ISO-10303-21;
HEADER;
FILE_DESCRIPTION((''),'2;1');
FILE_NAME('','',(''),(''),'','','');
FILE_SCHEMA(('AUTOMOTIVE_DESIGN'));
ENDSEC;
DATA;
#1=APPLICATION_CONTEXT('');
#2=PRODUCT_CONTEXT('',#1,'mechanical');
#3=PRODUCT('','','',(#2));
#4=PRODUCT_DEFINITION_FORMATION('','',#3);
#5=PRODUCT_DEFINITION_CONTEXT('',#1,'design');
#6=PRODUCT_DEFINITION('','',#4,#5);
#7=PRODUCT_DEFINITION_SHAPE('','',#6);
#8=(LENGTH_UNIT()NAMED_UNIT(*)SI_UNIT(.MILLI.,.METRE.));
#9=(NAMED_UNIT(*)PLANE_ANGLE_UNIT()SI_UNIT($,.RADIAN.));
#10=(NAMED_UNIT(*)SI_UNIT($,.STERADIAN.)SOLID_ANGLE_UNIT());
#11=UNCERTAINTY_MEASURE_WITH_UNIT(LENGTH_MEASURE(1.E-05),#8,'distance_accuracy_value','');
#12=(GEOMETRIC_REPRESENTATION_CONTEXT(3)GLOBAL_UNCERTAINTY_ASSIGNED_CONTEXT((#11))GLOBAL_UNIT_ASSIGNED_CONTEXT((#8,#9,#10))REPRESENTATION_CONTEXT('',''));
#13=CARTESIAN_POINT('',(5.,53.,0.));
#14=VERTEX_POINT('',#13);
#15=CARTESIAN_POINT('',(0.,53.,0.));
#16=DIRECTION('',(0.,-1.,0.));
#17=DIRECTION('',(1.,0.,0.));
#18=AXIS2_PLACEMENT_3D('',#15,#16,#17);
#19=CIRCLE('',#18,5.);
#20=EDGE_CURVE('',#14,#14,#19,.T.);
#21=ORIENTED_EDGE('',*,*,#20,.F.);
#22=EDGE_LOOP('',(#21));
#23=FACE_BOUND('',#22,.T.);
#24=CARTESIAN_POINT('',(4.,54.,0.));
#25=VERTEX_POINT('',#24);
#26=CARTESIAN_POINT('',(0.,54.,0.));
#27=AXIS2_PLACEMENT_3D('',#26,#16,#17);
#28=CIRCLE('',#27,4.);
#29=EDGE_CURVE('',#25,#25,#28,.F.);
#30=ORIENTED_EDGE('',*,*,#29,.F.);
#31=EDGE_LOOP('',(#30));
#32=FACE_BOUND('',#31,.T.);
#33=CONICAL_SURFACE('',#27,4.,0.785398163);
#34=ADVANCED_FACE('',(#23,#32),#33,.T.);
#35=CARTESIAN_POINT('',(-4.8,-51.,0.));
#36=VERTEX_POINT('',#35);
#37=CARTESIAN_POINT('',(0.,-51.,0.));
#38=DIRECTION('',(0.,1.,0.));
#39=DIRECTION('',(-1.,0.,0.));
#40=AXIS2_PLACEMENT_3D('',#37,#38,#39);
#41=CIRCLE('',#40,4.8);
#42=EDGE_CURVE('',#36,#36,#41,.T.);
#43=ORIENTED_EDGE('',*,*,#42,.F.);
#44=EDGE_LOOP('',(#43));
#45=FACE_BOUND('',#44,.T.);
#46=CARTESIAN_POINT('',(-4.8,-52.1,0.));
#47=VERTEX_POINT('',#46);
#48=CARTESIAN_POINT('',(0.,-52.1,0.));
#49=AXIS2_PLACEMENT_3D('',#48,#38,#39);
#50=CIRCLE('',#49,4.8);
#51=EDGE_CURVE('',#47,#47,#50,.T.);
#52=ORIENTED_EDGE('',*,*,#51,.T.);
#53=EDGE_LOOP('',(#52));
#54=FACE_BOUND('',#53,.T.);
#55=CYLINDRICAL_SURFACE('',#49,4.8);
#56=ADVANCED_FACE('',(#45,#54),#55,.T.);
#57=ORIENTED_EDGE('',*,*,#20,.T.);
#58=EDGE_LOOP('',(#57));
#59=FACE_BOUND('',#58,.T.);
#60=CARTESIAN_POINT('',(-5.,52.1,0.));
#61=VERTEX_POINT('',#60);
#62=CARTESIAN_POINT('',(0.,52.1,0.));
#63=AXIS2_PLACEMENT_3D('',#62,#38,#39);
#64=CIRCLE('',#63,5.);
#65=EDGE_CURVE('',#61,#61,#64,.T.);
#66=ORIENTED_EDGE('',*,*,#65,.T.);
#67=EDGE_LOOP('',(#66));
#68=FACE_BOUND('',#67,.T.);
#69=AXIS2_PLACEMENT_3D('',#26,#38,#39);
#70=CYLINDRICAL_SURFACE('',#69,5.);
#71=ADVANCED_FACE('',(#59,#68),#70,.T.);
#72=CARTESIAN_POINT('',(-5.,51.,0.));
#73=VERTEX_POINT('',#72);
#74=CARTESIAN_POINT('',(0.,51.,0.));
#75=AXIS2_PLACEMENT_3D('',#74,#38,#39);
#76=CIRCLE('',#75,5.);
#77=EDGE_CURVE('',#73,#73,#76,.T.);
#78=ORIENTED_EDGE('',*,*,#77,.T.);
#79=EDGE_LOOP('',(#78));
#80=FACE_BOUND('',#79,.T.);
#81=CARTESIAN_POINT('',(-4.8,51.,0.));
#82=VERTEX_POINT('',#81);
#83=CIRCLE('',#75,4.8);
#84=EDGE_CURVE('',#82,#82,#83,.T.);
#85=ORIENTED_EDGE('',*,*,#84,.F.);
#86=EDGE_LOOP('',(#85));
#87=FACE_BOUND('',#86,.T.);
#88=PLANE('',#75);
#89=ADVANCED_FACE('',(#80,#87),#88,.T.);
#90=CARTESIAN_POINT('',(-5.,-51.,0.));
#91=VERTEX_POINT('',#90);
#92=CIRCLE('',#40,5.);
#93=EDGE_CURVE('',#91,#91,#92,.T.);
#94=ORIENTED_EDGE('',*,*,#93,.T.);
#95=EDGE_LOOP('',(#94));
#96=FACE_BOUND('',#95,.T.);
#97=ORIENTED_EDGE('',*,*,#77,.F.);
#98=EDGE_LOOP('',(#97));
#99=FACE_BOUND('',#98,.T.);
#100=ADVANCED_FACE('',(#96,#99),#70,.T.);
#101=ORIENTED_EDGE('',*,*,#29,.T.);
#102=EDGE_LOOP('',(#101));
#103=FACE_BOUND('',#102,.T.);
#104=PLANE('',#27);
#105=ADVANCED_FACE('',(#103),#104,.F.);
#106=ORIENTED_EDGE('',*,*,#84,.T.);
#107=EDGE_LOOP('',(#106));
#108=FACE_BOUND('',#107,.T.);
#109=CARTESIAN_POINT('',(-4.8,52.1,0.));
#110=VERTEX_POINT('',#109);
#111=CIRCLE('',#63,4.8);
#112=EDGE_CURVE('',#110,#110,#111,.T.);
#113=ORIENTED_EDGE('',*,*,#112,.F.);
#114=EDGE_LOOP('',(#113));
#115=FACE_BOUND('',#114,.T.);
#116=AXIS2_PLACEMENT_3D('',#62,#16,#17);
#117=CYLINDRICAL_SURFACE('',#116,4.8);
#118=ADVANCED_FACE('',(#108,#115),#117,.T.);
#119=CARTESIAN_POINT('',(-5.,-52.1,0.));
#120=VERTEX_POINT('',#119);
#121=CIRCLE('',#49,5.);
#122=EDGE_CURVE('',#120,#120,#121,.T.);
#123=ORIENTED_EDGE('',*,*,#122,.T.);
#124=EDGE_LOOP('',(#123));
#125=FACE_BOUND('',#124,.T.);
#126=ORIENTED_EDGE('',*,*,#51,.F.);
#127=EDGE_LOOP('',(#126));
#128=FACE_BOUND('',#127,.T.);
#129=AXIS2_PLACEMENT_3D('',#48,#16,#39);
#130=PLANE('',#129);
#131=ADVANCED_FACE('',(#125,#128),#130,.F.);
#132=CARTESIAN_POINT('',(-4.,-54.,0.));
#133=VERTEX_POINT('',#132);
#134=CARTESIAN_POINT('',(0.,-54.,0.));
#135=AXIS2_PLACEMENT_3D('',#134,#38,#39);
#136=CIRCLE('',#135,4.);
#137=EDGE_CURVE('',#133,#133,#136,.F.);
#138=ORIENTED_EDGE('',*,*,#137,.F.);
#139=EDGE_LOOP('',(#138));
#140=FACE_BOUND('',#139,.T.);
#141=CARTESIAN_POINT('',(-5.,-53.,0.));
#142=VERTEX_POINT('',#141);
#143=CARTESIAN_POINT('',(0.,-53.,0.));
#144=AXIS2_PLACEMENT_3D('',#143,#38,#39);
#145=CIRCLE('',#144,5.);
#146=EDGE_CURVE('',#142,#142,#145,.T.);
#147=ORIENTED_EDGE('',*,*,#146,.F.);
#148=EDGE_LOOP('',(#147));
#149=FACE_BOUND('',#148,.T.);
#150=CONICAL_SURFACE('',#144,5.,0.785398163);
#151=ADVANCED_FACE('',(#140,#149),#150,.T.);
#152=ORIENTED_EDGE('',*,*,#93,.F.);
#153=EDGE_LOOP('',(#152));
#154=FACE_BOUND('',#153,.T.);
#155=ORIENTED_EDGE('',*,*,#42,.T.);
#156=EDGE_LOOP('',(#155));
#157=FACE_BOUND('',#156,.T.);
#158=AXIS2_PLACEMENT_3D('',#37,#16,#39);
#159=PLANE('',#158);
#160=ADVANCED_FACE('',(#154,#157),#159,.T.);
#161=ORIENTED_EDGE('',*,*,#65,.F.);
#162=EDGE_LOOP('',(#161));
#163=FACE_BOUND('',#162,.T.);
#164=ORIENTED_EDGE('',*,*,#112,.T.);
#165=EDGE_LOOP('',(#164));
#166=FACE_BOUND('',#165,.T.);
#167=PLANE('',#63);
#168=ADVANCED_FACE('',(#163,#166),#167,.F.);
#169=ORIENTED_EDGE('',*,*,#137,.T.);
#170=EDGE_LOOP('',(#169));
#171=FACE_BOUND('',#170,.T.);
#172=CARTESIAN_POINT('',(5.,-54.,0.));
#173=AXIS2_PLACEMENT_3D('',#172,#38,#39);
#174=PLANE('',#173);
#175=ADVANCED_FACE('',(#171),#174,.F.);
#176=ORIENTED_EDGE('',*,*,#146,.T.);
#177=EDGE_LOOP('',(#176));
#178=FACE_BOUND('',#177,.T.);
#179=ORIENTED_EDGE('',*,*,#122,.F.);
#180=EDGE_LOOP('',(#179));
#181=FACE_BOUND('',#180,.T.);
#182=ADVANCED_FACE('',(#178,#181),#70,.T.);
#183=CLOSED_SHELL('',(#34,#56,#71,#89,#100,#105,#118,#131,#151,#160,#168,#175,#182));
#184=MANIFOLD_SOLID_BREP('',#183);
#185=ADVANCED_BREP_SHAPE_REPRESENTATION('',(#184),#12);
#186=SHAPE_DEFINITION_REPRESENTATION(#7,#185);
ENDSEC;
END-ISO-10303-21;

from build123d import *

# Parameters (mm, degrees)
CHAMFER_1_SIZE      = 1
CUT_EXTRUDE_START   = -3
SKETCH_2_R          = 5
SKETCH_2_R_2        = 4.8
CUT_EXTRUDE_1_DEPTH = 1.1


with BuildPart() as part:
    # 草图1 → 旋转1 (revolve)
    with BuildSketch(Plane.XY, mode=Mode.PRIVATE) as revolve_1_sk:
        Polygon((0, 54), (5, 54), (5, 30), (5, -30), (5, -54), (0, -54), align=None)
    revolve(revolve_1_sk.sketch.rotate(Axis((0, 54, 0), (0, -1, 0)), 180), axis=Axis((0, 54, 0), (0, -1, 0)))

    # 倒角1
    chamfer_1_edges = [part.edges().sort_by_distance(p)[0] for p in [
        (5, -54, 0),
        (5, 54, 0),
    ]]
    chamfer(chamfer_1_edges, length=CHAMFER_1_SIZE)

    # 草图2 → 切除-拉伸1 (cut)
    with BuildSketch(Plane(origin=(0, 54, 0), x_dir=(1, 0, 0), z_dir=(0, 1, 0)).offset(CUT_EXTRUDE_START)):
        with Locations(Location((0, 0, 0), (0, 0, 180))):
            Circle(SKETCH_2_R)
        with Locations(Location((0, 0, 0), (0, 0, 180))):
            Circle(SKETCH_2_R_2, mode=Mode.SUBTRACT)
    cut_extrude_1 = extrude(amount=CUT_EXTRUDE_1_DEPTH, mode=Mode.SUBTRACT)

    # 镜向1: 切除-拉伸1 across plane
    add(cut_extrude_1.mirror(Plane.ZX), mode=Mode.SUBTRACT)


solid = part.part
